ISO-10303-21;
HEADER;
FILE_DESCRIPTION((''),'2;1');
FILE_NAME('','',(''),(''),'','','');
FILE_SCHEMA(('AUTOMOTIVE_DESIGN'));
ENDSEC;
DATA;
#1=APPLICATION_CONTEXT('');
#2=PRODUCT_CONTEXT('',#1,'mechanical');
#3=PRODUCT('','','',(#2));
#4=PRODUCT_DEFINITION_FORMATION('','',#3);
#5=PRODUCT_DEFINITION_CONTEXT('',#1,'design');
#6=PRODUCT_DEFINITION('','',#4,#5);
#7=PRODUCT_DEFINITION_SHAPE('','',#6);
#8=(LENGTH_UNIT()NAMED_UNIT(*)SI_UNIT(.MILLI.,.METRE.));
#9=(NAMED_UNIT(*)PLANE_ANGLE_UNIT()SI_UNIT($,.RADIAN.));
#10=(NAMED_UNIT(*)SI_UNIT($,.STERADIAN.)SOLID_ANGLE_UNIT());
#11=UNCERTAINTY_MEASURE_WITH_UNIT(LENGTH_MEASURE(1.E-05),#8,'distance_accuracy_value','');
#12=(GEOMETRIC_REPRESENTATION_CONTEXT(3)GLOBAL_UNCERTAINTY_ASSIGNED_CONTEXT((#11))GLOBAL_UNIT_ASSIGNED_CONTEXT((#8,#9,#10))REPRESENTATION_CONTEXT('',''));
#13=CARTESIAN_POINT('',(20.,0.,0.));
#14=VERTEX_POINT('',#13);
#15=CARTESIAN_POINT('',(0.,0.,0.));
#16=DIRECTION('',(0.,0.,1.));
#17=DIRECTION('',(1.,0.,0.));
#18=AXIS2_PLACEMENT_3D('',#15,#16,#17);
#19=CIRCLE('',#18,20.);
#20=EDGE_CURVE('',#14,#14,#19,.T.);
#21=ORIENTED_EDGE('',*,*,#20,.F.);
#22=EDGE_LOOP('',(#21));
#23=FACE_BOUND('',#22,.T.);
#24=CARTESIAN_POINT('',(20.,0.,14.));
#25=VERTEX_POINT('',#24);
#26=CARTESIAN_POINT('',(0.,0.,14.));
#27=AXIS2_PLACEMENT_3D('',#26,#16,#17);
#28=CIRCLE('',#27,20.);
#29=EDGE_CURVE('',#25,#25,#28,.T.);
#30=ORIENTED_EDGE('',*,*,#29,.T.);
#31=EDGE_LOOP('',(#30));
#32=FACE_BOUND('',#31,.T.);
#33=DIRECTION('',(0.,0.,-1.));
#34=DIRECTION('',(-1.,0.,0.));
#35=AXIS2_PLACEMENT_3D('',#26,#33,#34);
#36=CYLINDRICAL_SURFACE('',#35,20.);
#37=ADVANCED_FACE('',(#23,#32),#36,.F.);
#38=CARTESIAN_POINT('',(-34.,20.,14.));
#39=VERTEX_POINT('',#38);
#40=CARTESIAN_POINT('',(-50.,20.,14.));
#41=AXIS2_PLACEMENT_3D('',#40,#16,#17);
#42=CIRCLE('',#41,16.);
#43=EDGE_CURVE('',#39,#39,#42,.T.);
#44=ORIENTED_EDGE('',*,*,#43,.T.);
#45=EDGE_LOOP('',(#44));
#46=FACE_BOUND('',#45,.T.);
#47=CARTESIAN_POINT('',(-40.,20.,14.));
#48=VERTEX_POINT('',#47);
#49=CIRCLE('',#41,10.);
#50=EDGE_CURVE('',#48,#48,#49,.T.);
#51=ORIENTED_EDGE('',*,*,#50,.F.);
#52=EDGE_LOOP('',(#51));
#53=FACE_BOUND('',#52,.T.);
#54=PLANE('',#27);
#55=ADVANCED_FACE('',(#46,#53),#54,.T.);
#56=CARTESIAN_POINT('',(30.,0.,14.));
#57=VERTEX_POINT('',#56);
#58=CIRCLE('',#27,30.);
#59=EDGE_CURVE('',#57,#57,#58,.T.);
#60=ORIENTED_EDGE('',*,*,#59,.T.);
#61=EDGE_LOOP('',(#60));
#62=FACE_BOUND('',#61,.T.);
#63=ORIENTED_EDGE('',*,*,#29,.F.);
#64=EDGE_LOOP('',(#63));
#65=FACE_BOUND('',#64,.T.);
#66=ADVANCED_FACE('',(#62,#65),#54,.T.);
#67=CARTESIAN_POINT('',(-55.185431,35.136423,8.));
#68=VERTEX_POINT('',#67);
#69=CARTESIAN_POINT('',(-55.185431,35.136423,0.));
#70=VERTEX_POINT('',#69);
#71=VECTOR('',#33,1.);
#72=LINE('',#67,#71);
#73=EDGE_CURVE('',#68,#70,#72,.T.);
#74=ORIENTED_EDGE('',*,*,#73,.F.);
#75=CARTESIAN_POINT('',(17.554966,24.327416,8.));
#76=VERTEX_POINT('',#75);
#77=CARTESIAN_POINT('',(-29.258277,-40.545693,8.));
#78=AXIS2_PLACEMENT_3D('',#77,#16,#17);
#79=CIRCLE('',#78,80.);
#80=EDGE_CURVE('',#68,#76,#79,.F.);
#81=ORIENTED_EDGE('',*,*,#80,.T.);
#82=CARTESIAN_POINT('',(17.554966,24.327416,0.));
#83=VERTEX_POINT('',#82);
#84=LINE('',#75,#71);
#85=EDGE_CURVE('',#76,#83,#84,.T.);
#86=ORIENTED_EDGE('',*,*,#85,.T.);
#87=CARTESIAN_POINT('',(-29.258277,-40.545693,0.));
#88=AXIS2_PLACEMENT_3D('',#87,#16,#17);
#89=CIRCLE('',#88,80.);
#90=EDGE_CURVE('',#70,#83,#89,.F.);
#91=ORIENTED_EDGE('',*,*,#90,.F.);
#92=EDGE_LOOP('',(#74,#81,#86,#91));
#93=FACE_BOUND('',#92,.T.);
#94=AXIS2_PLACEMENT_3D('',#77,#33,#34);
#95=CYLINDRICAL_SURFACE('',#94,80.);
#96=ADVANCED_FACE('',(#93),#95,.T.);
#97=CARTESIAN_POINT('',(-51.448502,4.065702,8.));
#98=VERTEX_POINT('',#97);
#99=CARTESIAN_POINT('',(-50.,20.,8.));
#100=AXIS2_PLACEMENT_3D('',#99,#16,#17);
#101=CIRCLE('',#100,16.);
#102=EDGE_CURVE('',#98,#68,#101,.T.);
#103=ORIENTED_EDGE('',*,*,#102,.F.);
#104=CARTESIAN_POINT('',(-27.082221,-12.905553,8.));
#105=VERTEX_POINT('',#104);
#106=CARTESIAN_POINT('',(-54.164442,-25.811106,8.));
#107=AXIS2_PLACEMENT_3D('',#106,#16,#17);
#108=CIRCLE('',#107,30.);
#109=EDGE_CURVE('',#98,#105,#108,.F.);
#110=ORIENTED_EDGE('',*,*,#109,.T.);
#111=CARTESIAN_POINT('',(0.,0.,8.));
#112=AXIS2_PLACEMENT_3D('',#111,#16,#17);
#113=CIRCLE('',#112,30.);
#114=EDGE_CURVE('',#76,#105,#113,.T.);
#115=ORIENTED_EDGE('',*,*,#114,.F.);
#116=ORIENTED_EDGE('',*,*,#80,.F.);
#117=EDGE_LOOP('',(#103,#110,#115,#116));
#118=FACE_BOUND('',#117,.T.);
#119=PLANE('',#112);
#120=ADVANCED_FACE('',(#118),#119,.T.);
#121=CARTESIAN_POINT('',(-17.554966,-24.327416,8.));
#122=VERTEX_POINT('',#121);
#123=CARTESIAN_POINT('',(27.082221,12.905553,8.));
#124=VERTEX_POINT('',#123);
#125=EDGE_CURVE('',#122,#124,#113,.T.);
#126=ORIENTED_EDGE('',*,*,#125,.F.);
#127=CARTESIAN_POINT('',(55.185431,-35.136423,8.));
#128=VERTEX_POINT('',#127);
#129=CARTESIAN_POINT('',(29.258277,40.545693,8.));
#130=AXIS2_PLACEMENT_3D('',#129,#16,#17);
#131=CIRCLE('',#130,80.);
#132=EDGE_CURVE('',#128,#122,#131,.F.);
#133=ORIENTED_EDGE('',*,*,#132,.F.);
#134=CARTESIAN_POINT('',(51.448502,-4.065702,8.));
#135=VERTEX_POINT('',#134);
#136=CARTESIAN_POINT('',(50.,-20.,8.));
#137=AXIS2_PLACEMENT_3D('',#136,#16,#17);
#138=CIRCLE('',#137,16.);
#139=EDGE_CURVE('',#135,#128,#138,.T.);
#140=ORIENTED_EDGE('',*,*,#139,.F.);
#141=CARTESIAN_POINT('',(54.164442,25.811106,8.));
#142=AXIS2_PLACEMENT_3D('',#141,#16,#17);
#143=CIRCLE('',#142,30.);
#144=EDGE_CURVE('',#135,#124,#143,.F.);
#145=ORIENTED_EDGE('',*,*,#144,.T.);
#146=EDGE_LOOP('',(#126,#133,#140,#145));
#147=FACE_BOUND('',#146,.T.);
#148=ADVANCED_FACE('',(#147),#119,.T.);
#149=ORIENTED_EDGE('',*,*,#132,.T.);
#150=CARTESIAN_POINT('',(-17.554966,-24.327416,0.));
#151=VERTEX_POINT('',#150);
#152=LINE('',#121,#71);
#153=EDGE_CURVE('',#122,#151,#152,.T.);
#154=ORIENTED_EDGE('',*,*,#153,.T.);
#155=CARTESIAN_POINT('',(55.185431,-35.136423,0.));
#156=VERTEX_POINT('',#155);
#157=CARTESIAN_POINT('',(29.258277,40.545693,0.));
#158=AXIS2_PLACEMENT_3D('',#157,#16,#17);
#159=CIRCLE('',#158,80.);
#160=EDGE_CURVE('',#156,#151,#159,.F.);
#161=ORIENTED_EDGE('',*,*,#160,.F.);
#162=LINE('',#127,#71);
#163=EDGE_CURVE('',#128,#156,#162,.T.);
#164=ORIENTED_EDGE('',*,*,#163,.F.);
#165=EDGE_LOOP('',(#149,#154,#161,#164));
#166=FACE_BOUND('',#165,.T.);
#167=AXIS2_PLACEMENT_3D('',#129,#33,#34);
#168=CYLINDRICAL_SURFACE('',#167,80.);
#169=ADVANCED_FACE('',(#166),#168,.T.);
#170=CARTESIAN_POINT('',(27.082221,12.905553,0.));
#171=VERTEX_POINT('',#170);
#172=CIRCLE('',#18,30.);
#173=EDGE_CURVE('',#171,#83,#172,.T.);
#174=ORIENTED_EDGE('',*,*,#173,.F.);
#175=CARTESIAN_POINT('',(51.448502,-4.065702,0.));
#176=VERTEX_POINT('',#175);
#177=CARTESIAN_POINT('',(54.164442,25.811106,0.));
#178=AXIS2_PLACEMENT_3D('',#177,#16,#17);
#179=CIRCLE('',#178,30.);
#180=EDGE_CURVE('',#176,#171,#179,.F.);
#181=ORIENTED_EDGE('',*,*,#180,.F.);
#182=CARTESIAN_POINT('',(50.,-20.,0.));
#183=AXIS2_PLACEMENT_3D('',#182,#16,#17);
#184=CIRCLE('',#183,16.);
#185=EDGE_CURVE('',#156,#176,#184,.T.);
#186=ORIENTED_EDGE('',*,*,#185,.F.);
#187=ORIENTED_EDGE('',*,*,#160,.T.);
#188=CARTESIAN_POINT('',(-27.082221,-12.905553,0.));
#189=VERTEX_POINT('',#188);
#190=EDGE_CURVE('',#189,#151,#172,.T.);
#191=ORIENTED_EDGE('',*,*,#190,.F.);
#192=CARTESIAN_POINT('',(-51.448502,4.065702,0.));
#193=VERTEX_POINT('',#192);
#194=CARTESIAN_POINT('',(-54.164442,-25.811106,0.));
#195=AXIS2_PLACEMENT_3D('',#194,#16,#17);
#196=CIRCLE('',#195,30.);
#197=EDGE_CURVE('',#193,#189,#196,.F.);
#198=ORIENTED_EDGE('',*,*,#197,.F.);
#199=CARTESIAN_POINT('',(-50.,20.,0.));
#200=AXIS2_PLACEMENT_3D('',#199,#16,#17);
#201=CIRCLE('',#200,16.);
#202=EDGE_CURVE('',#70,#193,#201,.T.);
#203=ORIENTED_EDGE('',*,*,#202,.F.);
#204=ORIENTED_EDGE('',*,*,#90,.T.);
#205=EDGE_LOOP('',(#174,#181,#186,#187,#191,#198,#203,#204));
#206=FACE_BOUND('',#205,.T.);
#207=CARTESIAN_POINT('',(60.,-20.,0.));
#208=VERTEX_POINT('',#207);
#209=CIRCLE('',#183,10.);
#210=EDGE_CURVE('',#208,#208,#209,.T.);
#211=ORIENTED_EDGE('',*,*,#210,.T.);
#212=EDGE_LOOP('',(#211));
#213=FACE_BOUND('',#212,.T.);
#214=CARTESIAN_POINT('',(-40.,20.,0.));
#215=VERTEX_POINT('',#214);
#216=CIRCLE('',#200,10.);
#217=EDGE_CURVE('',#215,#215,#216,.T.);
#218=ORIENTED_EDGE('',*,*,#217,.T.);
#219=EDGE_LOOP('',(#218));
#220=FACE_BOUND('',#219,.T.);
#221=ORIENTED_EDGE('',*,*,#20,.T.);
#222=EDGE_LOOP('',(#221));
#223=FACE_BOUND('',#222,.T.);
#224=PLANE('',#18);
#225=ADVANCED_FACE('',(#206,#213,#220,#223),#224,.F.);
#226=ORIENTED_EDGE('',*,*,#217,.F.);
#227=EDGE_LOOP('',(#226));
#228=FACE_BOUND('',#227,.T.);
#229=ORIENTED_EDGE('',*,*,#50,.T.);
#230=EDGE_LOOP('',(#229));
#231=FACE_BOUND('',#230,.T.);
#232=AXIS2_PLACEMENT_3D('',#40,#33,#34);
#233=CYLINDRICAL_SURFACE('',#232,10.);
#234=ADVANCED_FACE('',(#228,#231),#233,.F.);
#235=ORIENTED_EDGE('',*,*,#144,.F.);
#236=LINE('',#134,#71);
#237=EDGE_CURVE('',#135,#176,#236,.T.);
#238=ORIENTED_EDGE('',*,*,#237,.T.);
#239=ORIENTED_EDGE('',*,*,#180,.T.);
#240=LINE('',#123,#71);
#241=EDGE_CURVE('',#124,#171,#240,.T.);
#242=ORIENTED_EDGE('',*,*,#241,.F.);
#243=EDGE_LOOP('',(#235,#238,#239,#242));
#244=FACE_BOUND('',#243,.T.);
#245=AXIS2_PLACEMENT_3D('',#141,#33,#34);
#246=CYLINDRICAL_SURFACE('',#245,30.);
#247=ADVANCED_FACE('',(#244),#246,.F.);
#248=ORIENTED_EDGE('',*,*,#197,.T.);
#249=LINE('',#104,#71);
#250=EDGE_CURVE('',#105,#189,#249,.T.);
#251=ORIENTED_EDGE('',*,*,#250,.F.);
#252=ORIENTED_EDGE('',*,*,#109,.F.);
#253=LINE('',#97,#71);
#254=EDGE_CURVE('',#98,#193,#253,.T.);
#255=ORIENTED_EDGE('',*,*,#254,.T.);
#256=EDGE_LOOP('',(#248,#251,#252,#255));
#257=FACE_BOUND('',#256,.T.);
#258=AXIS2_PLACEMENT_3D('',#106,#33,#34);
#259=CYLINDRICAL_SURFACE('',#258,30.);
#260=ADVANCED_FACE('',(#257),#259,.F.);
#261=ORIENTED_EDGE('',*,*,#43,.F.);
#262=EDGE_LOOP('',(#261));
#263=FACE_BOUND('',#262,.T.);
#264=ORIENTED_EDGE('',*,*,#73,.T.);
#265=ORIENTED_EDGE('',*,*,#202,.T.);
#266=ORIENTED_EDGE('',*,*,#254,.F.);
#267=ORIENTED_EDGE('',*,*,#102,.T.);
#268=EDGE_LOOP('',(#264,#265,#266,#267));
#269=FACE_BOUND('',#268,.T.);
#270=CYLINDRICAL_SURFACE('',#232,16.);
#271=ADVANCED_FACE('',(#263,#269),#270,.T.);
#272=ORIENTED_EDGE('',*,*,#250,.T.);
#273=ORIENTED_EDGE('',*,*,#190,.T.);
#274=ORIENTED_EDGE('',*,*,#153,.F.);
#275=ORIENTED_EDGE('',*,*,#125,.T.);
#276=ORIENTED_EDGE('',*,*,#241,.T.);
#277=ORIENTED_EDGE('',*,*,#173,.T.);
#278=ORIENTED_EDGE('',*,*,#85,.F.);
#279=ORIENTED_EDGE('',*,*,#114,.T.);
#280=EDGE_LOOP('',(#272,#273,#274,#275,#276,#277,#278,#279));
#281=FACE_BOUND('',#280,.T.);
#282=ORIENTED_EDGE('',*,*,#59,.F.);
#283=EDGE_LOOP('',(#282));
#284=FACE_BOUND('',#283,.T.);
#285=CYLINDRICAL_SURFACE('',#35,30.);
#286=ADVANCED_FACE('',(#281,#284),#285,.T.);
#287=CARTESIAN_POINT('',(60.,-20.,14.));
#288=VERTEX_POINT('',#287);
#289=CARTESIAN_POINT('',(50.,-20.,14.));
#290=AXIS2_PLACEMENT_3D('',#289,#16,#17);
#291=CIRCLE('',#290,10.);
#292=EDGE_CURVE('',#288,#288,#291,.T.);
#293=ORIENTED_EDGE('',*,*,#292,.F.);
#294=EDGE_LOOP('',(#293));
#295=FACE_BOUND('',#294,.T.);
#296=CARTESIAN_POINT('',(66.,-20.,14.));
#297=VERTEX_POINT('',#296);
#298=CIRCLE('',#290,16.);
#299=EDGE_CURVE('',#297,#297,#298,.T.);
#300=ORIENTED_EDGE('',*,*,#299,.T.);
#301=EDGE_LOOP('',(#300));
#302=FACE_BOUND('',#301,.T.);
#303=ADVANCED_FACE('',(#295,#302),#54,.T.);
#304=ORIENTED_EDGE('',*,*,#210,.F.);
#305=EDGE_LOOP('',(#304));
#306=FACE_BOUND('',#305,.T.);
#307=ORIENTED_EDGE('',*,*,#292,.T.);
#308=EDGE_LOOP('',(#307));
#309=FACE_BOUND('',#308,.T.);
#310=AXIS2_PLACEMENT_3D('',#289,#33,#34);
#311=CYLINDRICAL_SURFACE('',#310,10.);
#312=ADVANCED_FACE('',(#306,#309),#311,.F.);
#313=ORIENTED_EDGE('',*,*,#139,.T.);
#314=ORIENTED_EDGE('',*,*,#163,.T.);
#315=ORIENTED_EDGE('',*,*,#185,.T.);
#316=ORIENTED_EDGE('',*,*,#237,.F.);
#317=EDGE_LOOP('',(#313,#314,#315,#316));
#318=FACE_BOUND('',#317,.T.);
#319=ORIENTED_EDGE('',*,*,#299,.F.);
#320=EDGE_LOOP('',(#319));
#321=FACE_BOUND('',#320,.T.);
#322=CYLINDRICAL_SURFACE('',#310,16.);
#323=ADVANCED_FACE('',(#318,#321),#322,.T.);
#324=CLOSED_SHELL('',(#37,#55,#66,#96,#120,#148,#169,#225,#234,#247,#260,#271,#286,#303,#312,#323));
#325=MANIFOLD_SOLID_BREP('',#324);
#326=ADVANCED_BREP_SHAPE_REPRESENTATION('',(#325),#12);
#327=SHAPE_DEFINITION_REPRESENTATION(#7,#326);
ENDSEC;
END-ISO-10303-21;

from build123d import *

# Parameters (mm, degrees)
SCHIZZO1_R                     = 30
SCHIZZO1_R_2                   = 20
ESTRUSIONE_ESTRUSIONE1_DEPTH   = 14
SCHIZZO1_R_3                   = 16
SCHIZZO1_R_4                   = 10
ESTRUSIONE_ESTRUSIONE1_2_DEPTH = 14
ESTRUSIONE_ESTRUSIONE1_3_DEPTH = 14
ESTRUSIONE_ESTRUSIONE2_DEPTH   = 8


with BuildPart() as part:
    # Schizzo1 → Estrusione-Estrusione1 (new body)
    with BuildSketch(Plane.XY):
        Circle(SCHIZZO1_R)
        Circle(SCHIZZO1_R_2, mode=Mode.SUBTRACT)
    extrude(amount=ESTRUSIONE_ESTRUSIONE1_DEPTH)



with BuildPart() as body_2:
    # Schizzo1 → Estrusione-Estrusione1 2 (new body)
    with BuildSketch(Plane.XY):
        with Locations((50, -20)):
            Circle(SCHIZZO1_R_3)
        with Locations((50, -20)):
            Circle(SCHIZZO1_R_4, mode=Mode.SUBTRACT)
    extrude(amount=ESTRUSIONE_ESTRUSIONE1_2_DEPTH)


with BuildPart() as body_3:
    # Schizzo1 → Estrusione-Estrusione1 3 (new body)
    with BuildSketch(Plane.XY):
        with Locations((-50, 20)):
            Circle(SCHIZZO1_R_3)
        with Locations((-50, 20)):
            Circle(SCHIZZO1_R_4, mode=Mode.SUBTRACT)
    extrude(amount=ESTRUSIONE_ESTRUSIONE1_3_DEPTH)


with BuildPart() as part_1:
    add(part.part)

    add(body_2.part)  # Estrusione-Estrusione2 merges body 2

    add(body_3.part)  # Estrusione-Estrusione2 merges body 3
    # Schizzo1<3> → Estrusione-Estrusione2 (add)
    with BuildSketch(Plane.XY):
        with BuildLine():
            ThreePointArc((27.082221172, 12.905552929), (19.216285693, -23.037672716), (-17.554966307, -24.327415768))
            ThreePointArc((-17.554966307, -24.327415768), (17.499627211, -38.585427044), (55.185430705, -35.136423237))
            ThreePointArc((55.185430705, -35.136423237), (34.114481769, -21.910578587), (51.448501685, -4.06570231))
            ThreePointArc((51.448501685, -4.06570231), (37.018349838, 1.193804792), (27.082221172, 12.905552929))
        make_face()
        with BuildLine():
            ThreePointArc((-27.082221172, -12.905552929), (-19.216285693, 23.037672716), (17.554966307, 24.327415768))
            ThreePointArc((17.554966307, 24.327415768), (-17.499627211, 38.585427044), (-55.185430705, 35.136423237))
            ThreePointArc((-55.185430705, 35.136423237), (-34.114481769, 21.910578587), (-51.448501685, 4.06570231))
            ThreePointArc((-51.448501685, 4.06570231), (-37.018349838, -1.193804792), (-27.082221172, -12.905552929))
        make_face()
    extrude(amount=ESTRUSIONE_ESTRUSIONE2_DEPTH)


solid = part_1.part
